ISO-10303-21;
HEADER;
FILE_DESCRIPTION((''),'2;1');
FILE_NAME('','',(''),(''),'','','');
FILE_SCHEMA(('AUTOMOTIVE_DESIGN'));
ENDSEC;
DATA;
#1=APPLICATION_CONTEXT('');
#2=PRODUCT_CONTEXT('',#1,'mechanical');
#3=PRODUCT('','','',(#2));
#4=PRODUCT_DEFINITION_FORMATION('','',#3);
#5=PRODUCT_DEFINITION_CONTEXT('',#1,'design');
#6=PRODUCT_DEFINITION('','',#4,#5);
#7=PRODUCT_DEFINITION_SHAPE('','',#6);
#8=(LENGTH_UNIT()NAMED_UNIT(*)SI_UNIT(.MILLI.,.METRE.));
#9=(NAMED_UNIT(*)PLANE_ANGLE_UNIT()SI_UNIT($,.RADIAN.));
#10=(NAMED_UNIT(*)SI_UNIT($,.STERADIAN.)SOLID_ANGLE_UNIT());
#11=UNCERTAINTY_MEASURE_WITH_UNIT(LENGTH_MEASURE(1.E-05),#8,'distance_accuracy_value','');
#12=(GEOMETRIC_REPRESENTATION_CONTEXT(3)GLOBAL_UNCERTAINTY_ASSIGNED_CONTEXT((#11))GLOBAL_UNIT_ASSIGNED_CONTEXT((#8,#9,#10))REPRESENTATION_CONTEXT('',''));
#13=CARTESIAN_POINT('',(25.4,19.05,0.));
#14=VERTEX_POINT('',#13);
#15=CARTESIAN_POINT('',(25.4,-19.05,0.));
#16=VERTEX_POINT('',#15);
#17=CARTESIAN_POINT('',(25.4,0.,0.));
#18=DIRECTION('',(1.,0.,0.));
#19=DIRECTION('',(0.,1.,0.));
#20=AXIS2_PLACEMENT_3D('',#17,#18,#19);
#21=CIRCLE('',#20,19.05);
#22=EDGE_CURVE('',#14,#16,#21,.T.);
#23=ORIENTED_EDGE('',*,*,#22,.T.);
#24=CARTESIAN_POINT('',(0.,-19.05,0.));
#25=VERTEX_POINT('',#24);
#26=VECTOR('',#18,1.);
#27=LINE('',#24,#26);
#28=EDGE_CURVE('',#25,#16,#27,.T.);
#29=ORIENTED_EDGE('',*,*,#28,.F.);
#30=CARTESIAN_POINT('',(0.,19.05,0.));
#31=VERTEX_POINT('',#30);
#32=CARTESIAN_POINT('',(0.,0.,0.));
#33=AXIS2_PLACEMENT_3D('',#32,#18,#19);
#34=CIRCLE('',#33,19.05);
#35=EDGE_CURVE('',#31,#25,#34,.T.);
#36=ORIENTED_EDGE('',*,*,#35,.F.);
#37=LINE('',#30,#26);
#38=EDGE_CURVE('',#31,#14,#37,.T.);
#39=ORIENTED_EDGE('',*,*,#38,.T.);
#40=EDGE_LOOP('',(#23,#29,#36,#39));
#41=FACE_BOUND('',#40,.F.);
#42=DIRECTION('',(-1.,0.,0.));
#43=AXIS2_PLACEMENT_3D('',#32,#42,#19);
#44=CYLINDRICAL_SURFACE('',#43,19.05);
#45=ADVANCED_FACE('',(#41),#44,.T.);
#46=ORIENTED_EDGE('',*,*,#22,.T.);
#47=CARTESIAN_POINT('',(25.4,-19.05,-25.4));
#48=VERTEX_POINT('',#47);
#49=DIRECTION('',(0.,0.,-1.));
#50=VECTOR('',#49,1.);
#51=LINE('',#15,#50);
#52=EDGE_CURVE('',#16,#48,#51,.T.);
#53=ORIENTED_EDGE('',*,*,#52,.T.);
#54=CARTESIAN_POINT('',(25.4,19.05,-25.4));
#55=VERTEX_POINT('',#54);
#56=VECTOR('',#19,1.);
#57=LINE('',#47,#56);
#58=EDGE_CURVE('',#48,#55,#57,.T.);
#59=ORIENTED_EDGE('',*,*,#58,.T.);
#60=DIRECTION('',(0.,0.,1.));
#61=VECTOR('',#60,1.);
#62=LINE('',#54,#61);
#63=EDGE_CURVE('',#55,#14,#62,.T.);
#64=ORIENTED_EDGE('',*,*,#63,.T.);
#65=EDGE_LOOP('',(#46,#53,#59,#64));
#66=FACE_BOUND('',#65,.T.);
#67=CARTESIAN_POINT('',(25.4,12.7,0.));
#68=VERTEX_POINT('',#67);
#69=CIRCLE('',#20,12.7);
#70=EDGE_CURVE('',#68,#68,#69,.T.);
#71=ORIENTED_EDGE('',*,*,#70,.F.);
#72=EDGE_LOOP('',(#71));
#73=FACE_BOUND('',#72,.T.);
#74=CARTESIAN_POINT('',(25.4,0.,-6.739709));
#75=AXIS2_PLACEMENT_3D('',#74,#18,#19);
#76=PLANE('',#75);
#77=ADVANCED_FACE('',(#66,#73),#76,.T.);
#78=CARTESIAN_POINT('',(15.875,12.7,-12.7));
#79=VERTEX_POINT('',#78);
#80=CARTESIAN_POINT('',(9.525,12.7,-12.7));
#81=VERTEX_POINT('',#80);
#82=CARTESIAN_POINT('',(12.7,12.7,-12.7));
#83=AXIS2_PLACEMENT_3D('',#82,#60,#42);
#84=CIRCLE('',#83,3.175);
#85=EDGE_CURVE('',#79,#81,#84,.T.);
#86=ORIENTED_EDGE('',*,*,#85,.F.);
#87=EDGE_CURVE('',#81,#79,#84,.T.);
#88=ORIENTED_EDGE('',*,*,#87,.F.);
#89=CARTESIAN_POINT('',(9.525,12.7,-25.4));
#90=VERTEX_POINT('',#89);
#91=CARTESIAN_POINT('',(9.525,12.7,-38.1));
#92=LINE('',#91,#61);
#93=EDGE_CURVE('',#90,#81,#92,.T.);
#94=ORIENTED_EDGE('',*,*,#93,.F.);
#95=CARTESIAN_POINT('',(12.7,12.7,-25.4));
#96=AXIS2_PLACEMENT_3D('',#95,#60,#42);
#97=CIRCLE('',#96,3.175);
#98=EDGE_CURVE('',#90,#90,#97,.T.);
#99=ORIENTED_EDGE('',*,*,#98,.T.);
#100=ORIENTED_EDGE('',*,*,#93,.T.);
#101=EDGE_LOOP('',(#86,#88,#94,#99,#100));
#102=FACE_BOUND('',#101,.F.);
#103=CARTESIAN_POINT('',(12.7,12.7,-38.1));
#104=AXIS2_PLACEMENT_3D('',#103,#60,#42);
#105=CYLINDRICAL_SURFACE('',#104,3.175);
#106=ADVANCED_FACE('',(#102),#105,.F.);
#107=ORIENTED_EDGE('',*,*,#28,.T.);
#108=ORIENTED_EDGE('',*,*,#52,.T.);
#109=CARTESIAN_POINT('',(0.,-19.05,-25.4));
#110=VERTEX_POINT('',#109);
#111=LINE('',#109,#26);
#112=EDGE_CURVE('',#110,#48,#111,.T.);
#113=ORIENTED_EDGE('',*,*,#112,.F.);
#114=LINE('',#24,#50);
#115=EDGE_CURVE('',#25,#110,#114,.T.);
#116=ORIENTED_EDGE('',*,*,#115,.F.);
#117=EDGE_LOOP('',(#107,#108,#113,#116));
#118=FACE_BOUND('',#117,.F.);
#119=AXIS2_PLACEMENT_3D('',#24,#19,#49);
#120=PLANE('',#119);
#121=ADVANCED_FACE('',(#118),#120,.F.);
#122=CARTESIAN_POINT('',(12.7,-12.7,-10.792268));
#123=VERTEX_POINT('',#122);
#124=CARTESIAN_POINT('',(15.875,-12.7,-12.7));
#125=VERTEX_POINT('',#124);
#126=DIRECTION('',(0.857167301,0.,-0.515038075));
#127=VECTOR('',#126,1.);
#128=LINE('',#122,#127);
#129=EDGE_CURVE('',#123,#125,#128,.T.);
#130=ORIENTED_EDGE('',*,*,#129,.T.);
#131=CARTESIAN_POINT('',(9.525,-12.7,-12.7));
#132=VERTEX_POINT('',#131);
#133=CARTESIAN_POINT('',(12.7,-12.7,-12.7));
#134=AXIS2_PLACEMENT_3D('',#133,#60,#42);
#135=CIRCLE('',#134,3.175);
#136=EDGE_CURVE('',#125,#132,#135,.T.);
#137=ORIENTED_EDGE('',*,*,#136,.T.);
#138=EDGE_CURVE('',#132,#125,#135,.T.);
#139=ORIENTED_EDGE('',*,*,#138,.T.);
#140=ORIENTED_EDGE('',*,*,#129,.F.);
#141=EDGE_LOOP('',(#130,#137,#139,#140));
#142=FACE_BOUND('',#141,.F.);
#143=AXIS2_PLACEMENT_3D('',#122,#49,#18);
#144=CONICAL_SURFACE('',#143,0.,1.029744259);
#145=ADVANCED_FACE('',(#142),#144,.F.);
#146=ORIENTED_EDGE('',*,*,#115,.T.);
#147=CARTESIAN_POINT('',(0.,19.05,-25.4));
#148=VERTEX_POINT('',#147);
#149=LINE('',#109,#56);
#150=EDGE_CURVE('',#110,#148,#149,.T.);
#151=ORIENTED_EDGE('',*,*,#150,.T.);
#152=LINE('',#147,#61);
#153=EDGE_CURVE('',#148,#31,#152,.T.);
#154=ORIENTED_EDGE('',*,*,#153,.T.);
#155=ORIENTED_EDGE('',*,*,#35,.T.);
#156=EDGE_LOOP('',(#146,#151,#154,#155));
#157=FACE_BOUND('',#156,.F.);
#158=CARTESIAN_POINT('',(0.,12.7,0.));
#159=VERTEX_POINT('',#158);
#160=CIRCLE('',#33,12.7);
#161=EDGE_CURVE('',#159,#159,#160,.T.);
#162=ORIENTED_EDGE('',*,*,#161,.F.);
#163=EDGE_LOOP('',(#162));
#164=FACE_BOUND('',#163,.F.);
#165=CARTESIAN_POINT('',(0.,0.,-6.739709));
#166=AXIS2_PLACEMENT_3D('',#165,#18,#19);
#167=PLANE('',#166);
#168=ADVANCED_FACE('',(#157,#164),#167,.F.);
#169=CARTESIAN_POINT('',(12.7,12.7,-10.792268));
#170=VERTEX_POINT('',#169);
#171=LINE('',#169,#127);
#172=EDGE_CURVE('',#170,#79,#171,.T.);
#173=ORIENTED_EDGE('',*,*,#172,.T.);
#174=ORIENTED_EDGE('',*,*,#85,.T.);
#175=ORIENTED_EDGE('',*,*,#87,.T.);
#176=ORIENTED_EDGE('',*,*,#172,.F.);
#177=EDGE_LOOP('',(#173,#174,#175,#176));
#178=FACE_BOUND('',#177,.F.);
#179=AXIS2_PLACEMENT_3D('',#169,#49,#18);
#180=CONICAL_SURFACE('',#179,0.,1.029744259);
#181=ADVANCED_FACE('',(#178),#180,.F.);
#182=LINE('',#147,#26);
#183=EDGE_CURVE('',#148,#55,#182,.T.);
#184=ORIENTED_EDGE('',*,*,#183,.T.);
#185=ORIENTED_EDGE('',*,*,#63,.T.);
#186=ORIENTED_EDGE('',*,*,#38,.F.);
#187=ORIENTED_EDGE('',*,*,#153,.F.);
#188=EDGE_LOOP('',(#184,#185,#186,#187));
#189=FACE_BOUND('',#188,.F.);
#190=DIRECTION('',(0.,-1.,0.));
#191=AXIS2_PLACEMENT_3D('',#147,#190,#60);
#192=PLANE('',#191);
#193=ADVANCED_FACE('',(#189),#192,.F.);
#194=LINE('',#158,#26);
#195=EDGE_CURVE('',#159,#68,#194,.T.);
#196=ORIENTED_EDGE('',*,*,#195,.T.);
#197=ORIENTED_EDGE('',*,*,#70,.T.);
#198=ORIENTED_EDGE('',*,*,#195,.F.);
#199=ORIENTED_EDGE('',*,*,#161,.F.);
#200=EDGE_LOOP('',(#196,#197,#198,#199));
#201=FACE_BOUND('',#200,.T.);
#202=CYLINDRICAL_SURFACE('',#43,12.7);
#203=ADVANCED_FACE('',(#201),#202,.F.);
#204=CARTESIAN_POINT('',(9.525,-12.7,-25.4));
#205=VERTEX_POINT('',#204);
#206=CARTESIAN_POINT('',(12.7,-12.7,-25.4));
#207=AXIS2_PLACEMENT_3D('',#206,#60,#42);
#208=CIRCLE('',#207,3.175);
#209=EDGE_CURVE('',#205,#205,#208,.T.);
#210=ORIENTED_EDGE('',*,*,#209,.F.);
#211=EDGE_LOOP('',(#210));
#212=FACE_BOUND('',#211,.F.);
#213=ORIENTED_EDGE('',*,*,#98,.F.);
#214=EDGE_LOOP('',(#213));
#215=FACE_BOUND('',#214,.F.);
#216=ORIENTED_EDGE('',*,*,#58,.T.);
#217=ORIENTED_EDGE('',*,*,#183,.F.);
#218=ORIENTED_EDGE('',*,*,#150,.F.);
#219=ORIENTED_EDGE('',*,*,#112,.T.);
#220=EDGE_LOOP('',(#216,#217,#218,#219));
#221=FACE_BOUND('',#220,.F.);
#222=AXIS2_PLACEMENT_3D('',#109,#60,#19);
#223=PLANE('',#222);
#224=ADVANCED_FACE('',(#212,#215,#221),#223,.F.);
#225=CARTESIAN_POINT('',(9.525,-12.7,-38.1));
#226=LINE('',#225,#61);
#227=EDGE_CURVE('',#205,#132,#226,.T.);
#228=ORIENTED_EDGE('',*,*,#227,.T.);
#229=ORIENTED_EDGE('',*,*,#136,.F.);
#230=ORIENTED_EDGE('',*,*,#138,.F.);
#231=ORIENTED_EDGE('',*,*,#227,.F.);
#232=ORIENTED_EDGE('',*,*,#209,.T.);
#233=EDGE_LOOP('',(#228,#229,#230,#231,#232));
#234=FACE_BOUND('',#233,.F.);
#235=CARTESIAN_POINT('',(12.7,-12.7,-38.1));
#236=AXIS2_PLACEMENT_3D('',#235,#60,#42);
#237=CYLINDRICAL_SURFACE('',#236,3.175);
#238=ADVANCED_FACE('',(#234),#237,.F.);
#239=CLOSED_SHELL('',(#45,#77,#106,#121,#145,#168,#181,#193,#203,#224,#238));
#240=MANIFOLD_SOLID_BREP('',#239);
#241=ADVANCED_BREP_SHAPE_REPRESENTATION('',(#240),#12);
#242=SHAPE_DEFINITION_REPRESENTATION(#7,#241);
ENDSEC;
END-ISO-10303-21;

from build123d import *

# Parameters (mm, degrees)
F0_R     = 12.7
F1_DEPTH = 25.4
F3_D     = 6.35
F3_DEPTH = 12.7
F3_TIP   = 1.9077324654


with BuildPart() as f1:
    # F0 (on Right) → F1 (new body)
    with BuildSketch(Plane.YZ):
        with BuildLine():
            Line((19.05, -25.4), (19.05, 0))
            ThreePointArc((19.05, 0), (0, 19.05), (-19.05, 0))
            Line((-19.05, 0), (-19.05, -25.4))
            Line((-19.05, -25.4), (19.05, -25.4))
        make_face()
        Circle(F0_R, mode=Mode.SUBTRACT)
    extrude(amount=F1_DEPTH)

    # F3
    with Locations(Plane(origin=(0, 0, -25.4), x_dir=(1, 0, 0), z_dir=(0, 0, -1))):
        with Locations((12.7, 12.7), (12.7, -12.7)):
            Hole(F3_D / 2, depth=F3_DEPTH)
            with Locations((0, 0, -(F3_DEPTH + F3_TIP / 2))):  # 118° drill point
                Cone(0, F3_D / 2, F3_TIP, mode=Mode.SUBTRACT)


solid = f1.part
